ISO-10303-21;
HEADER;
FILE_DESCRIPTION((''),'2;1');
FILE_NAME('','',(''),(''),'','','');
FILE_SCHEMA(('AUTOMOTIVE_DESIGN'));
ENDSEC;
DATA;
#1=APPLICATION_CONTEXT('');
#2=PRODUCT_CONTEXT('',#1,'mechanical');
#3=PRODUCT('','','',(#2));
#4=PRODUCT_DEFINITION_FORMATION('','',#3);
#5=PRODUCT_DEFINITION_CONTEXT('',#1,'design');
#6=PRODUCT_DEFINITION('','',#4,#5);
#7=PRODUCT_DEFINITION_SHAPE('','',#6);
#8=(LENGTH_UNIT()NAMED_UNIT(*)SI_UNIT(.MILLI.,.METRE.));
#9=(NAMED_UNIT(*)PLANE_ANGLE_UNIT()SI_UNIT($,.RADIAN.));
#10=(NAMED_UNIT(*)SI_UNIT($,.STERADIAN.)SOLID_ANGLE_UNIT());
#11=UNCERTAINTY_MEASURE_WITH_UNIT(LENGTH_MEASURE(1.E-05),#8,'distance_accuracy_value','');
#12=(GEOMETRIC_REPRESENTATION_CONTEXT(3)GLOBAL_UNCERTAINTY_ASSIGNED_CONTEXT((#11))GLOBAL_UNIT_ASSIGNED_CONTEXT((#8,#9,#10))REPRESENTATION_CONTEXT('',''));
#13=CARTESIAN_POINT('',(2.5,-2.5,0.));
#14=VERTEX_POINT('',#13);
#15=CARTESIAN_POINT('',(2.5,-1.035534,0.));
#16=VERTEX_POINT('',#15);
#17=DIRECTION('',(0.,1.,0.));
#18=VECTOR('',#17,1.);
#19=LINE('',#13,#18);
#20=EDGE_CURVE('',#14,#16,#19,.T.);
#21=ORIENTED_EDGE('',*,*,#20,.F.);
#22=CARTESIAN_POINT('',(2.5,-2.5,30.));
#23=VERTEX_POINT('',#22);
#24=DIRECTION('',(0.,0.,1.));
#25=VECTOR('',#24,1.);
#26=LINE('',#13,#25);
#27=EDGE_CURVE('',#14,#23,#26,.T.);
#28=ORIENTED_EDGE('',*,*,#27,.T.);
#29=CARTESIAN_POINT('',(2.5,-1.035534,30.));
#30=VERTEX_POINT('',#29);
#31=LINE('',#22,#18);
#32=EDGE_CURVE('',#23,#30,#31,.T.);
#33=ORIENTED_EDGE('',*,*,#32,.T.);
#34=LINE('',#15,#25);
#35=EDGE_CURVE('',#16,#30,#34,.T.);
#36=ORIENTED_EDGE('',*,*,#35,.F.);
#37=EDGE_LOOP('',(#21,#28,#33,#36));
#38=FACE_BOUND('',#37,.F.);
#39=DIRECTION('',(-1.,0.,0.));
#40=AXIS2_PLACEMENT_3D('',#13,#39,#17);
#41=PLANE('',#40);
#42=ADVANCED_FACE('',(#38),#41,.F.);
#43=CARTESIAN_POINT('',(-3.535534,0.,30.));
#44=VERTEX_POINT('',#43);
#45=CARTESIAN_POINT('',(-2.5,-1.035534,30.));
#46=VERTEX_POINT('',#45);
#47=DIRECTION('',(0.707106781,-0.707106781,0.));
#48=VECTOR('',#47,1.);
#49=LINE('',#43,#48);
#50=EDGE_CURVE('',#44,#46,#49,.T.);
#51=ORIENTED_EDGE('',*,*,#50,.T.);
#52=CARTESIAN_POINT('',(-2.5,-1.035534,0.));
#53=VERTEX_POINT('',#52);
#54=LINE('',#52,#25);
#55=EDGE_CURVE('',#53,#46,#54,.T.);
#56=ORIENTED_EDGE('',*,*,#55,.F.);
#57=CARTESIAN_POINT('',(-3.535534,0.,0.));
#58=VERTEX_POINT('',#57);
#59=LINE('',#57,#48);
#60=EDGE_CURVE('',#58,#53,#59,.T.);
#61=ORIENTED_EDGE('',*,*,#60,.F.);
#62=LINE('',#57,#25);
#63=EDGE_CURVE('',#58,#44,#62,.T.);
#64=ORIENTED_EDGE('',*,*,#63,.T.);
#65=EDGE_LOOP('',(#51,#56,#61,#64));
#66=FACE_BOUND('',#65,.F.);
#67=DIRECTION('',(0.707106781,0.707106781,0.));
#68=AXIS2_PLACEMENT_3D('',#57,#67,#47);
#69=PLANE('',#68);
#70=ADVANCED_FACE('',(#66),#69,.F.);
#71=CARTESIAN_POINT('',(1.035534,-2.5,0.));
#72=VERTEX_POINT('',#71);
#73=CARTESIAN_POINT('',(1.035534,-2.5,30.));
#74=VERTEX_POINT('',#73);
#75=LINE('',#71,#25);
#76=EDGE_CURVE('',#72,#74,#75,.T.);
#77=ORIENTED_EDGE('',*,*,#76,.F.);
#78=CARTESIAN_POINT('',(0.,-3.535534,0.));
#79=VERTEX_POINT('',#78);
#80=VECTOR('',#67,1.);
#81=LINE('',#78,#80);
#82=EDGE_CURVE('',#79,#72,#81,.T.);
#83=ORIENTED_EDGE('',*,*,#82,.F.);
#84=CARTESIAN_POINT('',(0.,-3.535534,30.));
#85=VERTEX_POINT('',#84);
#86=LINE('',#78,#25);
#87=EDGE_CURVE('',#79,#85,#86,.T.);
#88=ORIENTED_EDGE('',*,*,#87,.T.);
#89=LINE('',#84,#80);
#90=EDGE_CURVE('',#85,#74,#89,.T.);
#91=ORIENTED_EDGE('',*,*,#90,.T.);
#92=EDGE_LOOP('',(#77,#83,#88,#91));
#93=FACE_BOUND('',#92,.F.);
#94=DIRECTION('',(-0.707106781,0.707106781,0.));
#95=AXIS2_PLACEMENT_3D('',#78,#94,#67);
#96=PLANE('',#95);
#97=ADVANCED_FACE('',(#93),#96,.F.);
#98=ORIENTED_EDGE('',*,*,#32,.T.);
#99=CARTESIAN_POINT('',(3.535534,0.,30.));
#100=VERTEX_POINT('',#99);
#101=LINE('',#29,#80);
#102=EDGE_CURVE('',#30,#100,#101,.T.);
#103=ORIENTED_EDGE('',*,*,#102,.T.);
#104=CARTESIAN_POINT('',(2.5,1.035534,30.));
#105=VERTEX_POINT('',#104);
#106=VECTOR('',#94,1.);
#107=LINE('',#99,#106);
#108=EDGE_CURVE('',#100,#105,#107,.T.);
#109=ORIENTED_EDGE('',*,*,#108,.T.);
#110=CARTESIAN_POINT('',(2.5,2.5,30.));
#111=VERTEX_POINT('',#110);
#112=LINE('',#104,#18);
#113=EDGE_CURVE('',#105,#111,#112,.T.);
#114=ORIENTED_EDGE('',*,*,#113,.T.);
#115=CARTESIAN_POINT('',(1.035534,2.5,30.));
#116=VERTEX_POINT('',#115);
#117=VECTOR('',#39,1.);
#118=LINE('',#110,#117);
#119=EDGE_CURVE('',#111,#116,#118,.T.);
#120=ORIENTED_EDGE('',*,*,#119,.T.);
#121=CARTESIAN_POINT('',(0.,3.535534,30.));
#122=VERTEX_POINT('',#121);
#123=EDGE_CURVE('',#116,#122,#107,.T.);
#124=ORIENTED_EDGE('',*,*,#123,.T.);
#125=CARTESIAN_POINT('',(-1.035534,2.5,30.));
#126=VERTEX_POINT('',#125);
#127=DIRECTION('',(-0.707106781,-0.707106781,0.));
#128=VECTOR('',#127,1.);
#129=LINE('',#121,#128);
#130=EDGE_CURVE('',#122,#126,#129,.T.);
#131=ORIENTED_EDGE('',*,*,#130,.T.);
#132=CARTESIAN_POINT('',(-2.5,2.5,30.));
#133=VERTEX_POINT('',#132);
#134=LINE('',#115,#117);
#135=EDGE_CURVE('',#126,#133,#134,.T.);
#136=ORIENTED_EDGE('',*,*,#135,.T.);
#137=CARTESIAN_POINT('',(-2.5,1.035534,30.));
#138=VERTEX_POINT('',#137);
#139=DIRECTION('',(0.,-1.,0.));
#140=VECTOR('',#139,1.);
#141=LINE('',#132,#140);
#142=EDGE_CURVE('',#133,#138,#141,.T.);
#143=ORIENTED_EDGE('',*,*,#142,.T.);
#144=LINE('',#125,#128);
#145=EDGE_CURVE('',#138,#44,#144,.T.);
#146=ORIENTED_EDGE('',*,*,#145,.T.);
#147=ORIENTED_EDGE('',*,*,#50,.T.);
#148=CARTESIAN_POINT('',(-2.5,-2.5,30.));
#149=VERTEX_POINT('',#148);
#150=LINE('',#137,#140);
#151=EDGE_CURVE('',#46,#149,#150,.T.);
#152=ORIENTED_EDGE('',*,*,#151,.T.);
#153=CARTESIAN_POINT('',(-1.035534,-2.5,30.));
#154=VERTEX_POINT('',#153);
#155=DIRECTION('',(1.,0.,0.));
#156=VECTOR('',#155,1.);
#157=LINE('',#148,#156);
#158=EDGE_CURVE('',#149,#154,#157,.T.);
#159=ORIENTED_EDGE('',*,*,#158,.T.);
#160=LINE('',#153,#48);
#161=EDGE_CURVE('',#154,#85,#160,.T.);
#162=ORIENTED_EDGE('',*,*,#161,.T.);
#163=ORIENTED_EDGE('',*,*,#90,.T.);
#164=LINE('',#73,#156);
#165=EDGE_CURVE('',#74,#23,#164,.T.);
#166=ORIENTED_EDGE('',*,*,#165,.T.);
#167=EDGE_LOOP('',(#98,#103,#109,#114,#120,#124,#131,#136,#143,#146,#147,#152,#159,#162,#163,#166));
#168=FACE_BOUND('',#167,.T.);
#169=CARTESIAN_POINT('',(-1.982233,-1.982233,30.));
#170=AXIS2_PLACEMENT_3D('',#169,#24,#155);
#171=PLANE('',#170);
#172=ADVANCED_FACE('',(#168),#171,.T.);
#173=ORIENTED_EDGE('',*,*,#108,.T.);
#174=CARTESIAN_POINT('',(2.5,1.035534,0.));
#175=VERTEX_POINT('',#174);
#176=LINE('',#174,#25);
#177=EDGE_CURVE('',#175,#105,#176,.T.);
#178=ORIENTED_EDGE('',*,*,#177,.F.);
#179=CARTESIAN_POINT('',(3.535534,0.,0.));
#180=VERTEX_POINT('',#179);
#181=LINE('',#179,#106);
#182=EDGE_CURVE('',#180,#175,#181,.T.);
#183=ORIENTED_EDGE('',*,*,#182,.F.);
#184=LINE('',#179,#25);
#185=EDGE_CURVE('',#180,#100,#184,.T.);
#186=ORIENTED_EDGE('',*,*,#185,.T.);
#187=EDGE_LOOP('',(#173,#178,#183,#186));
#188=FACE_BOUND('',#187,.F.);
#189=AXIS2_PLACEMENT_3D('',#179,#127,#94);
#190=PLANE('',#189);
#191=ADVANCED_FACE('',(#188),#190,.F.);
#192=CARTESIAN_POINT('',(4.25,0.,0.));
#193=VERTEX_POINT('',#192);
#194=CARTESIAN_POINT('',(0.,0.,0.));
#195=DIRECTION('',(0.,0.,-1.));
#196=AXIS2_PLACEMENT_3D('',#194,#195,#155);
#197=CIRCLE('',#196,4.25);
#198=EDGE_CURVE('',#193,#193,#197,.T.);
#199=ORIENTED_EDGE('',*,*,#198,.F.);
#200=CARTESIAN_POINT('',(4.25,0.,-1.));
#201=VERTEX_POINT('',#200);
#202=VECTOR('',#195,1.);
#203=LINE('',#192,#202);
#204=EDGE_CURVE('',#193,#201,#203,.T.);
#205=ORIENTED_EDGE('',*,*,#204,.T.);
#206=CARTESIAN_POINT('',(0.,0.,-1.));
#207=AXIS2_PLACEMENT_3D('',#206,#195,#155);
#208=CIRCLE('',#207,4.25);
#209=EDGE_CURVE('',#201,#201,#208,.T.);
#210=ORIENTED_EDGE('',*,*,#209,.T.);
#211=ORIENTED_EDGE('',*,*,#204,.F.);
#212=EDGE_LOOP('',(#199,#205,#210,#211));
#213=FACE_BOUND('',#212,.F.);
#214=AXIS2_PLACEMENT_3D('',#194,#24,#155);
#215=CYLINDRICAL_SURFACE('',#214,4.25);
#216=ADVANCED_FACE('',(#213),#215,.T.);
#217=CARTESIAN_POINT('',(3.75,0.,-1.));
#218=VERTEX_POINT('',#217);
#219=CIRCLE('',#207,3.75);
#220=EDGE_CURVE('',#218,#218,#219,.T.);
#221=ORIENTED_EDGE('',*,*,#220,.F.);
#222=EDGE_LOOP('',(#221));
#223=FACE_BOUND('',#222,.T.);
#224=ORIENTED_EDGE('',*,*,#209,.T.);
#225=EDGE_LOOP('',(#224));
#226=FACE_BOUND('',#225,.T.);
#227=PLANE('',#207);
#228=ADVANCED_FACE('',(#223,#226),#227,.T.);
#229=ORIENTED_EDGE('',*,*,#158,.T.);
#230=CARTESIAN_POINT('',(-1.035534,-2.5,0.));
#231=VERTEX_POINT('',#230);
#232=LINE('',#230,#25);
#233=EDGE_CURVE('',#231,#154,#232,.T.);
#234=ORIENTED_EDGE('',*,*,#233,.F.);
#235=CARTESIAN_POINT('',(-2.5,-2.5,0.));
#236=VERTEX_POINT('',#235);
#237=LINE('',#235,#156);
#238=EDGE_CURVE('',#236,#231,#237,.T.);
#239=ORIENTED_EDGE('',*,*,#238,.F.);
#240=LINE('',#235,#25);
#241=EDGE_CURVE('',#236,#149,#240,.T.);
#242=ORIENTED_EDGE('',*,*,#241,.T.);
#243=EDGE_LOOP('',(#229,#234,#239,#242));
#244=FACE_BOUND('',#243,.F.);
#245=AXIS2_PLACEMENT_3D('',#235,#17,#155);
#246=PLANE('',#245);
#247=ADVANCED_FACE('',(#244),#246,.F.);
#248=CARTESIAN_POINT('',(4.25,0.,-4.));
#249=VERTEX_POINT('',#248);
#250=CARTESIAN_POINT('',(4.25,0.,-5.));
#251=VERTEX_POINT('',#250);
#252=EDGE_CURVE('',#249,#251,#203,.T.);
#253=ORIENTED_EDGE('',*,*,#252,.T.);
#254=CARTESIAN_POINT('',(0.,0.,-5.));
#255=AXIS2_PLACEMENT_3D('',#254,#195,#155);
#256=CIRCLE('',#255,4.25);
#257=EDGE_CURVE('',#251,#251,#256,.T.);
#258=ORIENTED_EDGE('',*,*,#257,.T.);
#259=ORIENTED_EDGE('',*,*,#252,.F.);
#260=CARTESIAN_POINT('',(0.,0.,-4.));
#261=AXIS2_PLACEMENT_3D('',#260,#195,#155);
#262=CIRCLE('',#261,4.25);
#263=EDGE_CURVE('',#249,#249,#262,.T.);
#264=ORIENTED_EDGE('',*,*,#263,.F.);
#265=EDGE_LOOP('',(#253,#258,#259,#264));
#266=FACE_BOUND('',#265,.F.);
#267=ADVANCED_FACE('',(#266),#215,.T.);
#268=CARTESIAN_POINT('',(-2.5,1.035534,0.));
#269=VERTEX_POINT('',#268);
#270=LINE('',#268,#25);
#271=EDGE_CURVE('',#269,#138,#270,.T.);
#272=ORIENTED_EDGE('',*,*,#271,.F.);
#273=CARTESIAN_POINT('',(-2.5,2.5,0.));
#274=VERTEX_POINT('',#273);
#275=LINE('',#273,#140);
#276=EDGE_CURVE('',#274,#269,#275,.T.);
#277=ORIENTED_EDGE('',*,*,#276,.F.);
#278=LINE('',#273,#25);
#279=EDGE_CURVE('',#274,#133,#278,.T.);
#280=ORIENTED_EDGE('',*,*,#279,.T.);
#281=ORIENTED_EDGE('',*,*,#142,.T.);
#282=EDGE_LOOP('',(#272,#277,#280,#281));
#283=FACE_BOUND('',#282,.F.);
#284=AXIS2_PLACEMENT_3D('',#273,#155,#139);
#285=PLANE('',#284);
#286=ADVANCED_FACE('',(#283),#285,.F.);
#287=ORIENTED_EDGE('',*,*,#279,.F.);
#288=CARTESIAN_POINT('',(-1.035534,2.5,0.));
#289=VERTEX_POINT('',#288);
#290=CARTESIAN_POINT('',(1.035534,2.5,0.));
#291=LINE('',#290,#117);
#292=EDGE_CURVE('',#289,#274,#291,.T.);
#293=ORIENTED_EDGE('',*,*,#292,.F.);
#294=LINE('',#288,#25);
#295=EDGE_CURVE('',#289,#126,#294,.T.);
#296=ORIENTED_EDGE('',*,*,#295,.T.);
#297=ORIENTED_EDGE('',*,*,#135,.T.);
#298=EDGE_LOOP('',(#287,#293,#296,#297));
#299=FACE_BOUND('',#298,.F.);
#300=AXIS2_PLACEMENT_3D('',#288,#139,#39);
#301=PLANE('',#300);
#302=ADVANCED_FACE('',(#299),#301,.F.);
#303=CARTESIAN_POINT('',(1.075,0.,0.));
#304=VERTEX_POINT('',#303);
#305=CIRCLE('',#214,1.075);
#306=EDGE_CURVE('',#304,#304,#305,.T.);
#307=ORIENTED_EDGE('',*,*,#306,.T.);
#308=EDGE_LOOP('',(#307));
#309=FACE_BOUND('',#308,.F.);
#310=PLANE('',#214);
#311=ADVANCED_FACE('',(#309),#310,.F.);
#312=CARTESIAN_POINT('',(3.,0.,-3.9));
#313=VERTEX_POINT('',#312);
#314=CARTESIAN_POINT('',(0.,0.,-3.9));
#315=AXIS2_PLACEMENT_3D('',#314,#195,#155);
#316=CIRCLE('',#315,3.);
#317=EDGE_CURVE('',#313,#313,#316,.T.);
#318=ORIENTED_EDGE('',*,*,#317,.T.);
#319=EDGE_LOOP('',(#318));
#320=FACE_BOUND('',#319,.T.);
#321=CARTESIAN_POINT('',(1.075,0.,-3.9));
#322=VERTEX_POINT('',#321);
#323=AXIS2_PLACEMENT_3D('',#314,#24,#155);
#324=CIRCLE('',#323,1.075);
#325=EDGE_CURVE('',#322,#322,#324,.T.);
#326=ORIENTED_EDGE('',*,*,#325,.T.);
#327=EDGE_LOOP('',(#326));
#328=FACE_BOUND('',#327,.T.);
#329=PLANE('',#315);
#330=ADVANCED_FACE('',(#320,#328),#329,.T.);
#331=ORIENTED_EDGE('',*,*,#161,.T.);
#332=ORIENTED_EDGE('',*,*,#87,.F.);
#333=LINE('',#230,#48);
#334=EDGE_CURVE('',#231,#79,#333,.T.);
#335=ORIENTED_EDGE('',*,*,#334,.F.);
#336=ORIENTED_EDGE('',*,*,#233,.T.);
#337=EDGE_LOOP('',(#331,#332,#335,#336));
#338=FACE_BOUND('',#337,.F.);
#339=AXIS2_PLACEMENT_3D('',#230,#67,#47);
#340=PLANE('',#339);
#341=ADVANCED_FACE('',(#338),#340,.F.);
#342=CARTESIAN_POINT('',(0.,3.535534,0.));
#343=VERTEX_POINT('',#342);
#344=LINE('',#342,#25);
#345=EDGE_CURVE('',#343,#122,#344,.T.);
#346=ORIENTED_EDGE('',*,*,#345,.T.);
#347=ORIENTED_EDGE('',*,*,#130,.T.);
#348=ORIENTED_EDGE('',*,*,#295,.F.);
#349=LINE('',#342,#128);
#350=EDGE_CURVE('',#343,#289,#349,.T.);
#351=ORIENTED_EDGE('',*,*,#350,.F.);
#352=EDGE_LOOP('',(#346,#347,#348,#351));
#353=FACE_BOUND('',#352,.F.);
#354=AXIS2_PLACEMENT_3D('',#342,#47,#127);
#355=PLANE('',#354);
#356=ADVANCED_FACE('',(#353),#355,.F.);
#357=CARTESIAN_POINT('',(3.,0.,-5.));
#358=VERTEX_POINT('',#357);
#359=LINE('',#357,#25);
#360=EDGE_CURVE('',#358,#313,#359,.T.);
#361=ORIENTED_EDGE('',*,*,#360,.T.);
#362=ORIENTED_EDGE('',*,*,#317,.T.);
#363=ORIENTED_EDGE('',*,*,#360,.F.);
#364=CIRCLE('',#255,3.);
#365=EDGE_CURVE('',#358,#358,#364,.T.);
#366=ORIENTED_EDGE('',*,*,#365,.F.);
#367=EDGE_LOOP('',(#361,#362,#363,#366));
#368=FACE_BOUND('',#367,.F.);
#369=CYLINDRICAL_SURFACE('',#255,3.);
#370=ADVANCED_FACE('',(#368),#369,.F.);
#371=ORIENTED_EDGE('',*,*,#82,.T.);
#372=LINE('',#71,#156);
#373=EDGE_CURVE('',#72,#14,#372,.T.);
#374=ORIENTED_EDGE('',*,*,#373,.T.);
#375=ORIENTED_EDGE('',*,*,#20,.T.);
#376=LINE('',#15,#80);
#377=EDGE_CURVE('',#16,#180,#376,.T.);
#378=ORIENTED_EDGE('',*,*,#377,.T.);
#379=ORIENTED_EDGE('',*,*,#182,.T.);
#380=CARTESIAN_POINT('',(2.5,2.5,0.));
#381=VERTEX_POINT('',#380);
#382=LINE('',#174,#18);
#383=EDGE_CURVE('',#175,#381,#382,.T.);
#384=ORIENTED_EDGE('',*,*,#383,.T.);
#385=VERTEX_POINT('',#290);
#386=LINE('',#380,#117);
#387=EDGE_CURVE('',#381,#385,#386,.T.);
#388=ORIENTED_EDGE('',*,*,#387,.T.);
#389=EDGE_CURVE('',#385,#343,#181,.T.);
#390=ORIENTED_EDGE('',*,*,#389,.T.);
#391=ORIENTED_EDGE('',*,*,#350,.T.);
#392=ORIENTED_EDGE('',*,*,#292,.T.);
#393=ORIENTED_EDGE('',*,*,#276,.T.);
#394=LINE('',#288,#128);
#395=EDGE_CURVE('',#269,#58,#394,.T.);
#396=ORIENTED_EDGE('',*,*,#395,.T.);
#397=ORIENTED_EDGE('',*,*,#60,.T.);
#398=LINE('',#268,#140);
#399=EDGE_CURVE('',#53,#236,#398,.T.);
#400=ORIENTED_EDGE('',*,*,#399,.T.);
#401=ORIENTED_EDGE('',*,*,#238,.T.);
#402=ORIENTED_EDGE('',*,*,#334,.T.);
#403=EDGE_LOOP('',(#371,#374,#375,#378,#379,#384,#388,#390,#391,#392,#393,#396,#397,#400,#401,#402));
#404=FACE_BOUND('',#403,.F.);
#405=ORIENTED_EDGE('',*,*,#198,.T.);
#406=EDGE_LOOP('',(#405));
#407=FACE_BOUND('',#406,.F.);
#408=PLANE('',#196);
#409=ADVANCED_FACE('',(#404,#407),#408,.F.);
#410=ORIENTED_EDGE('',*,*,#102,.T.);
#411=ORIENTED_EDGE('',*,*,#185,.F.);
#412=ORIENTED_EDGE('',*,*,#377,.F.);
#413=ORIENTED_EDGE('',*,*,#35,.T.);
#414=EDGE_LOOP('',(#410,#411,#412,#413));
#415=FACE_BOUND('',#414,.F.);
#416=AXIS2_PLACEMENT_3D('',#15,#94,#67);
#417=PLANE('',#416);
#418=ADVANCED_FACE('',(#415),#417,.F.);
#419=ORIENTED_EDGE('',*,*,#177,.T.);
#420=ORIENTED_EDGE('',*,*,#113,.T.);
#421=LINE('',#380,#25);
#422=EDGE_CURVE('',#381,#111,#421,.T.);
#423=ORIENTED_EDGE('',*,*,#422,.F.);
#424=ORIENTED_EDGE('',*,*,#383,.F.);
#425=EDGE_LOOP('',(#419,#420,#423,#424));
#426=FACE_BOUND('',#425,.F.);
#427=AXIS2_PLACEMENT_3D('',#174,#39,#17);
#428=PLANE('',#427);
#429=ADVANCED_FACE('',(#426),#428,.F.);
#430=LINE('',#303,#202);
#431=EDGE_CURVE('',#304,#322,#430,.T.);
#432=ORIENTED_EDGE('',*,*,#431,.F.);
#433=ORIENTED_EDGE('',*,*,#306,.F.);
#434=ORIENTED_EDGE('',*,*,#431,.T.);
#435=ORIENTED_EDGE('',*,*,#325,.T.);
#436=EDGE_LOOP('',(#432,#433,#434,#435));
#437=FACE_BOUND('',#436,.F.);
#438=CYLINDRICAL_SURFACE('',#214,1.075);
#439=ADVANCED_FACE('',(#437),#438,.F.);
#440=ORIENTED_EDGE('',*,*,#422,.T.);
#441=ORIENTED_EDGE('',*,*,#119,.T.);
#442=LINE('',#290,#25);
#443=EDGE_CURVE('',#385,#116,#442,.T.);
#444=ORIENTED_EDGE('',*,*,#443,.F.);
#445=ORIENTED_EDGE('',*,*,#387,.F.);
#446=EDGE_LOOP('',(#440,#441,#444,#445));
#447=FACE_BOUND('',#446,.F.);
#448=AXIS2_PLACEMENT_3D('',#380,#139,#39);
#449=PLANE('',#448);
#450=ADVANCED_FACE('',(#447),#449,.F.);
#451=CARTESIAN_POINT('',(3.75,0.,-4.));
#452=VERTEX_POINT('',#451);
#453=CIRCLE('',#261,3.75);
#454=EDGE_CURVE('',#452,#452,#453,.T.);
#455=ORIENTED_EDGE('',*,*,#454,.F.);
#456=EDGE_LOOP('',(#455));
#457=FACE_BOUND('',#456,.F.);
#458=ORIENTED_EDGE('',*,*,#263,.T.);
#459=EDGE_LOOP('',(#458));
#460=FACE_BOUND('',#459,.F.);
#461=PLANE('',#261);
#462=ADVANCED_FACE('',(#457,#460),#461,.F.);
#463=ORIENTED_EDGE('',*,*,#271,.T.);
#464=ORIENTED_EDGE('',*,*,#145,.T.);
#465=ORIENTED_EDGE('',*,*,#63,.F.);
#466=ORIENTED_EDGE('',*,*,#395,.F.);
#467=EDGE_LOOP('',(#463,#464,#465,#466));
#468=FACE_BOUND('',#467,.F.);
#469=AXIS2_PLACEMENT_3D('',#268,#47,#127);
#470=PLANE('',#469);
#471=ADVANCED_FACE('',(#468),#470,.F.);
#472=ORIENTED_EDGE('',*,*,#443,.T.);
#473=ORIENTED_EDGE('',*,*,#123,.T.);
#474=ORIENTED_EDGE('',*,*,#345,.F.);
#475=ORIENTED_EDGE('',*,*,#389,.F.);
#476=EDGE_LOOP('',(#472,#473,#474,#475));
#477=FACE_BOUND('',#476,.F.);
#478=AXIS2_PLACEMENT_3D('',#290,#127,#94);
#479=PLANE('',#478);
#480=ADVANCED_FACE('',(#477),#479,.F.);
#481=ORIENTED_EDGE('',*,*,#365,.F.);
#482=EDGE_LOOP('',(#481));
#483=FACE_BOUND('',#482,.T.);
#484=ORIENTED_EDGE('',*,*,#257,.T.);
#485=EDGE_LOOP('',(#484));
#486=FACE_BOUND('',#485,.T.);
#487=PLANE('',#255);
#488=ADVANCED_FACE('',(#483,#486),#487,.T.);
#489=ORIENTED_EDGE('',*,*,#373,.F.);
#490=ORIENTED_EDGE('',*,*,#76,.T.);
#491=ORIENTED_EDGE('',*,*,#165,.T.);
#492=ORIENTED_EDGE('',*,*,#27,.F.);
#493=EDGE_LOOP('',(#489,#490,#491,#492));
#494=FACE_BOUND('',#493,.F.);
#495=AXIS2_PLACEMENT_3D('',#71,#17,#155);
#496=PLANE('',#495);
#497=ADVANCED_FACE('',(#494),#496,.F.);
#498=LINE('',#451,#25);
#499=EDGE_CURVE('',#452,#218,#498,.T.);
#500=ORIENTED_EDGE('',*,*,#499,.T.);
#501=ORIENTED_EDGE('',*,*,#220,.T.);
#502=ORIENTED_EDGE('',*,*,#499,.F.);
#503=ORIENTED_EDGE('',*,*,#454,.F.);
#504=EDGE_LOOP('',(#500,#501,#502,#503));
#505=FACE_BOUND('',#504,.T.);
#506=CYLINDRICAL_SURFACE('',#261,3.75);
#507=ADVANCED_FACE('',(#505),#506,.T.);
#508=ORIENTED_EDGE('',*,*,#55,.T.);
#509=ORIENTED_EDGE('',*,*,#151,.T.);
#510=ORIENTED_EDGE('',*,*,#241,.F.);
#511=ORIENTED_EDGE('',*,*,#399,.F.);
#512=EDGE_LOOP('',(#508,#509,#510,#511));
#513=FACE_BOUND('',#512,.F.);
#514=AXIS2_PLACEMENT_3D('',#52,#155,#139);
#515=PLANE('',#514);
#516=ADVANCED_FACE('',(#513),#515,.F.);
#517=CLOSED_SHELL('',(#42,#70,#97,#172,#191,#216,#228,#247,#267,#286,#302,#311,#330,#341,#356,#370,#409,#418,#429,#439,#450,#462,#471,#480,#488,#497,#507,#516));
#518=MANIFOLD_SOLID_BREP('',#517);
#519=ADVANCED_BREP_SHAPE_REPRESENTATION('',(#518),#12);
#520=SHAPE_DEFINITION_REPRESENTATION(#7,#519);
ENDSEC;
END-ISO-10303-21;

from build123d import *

# Parameters (mm, degrees)
F1_DEPTH  = 30
F2_R      = 4.25
F3_DEPTH  = 5
F5_R      = 4.25
F5_R_2    = 3.75
F6_DEPTH  = 3
F7_R      = 1.075
F8_DEPTH  = 5
F9_R      = 3
F10_DEPTH = 1.1


with BuildPart() as f1:
    # F0 (on Top) → F1 (new body)
    with BuildSketch(Plane.XY):
        Polygon((-2.5, -1.0355339059), (-2.5, -2.5), (-1.0355339059, -2.5), align=None)
        Polygon((-2.5, -1.0355339059), (-1.0355339059, -2.5), (1.0355339059, -2.5), (2.5, -1.0355339059), (2.5, 1.0355339059), (1.0355339059, 2.5), (-1.0355339059, 2.5), (-2.5, 1.0355339059), align=None)
        Polygon((1.0355339059, -2.5), (-1.0355339059, -2.5), (0, -3.5355339059), align=None)
        Polygon((-3.5355339059, 0), (-2.5, -1.0355339059), (-2.5, 1.0355339059), align=None)
        Polygon((2.5, -1.0355339059), (1.0355339059, -2.5), (2.5, -2.5), align=None)
        Polygon((-2.5, 2.5), (-2.5, 1.0355339059), (-1.0355339059, 2.5), align=None)
        Polygon((2.5, 1.0355339059), (2.5, -1.0355339059), (3.5355339059, 0), align=None)
        Polygon((0, 3.5355339059), (-1.0355339059, 2.5), (1.0355339059, 2.5), align=None)
        Polygon((1.0355339059, 2.5), (2.5, 1.0355339059), (2.5, 2.5), align=None)
    extrude(amount=F1_DEPTH)

    # F2 (on face) → F3 (join)
    with BuildSketch(Plane(origin=(0, 0, 0), x_dir=(1, 0, 0), z_dir=(0, 0, -1))):
        Circle(F2_R)
    extrude(amount=F3_DEPTH)

    # F5 (on offset) → F6 (cut)
    with BuildSketch(Plane(origin=(0, 0, -4), x_dir=(1, 0, 0), z_dir=(0, 0, -1))):
        Circle(F5_R)
        Circle(F5_R_2, mode=Mode.SUBTRACT)
    extrude(amount=-F6_DEPTH, mode=Mode.SUBTRACT)

    # F7 (on Top) → F8 (cut)
    with BuildSketch(Plane.XY):
        Circle(F7_R)
    extrude(amount=-F8_DEPTH, mode=Mode.SUBTRACT)

    # F9 (on face) → F10 (cut)
    with BuildSketch(Plane(origin=(0, 0, -5), x_dir=(1, 0, 0), z_dir=(0, 0, -1))):
        Circle(F9_R)
    extrude(amount=-F10_DEPTH, mode=Mode.SUBTRACT)


solid = f1.part
